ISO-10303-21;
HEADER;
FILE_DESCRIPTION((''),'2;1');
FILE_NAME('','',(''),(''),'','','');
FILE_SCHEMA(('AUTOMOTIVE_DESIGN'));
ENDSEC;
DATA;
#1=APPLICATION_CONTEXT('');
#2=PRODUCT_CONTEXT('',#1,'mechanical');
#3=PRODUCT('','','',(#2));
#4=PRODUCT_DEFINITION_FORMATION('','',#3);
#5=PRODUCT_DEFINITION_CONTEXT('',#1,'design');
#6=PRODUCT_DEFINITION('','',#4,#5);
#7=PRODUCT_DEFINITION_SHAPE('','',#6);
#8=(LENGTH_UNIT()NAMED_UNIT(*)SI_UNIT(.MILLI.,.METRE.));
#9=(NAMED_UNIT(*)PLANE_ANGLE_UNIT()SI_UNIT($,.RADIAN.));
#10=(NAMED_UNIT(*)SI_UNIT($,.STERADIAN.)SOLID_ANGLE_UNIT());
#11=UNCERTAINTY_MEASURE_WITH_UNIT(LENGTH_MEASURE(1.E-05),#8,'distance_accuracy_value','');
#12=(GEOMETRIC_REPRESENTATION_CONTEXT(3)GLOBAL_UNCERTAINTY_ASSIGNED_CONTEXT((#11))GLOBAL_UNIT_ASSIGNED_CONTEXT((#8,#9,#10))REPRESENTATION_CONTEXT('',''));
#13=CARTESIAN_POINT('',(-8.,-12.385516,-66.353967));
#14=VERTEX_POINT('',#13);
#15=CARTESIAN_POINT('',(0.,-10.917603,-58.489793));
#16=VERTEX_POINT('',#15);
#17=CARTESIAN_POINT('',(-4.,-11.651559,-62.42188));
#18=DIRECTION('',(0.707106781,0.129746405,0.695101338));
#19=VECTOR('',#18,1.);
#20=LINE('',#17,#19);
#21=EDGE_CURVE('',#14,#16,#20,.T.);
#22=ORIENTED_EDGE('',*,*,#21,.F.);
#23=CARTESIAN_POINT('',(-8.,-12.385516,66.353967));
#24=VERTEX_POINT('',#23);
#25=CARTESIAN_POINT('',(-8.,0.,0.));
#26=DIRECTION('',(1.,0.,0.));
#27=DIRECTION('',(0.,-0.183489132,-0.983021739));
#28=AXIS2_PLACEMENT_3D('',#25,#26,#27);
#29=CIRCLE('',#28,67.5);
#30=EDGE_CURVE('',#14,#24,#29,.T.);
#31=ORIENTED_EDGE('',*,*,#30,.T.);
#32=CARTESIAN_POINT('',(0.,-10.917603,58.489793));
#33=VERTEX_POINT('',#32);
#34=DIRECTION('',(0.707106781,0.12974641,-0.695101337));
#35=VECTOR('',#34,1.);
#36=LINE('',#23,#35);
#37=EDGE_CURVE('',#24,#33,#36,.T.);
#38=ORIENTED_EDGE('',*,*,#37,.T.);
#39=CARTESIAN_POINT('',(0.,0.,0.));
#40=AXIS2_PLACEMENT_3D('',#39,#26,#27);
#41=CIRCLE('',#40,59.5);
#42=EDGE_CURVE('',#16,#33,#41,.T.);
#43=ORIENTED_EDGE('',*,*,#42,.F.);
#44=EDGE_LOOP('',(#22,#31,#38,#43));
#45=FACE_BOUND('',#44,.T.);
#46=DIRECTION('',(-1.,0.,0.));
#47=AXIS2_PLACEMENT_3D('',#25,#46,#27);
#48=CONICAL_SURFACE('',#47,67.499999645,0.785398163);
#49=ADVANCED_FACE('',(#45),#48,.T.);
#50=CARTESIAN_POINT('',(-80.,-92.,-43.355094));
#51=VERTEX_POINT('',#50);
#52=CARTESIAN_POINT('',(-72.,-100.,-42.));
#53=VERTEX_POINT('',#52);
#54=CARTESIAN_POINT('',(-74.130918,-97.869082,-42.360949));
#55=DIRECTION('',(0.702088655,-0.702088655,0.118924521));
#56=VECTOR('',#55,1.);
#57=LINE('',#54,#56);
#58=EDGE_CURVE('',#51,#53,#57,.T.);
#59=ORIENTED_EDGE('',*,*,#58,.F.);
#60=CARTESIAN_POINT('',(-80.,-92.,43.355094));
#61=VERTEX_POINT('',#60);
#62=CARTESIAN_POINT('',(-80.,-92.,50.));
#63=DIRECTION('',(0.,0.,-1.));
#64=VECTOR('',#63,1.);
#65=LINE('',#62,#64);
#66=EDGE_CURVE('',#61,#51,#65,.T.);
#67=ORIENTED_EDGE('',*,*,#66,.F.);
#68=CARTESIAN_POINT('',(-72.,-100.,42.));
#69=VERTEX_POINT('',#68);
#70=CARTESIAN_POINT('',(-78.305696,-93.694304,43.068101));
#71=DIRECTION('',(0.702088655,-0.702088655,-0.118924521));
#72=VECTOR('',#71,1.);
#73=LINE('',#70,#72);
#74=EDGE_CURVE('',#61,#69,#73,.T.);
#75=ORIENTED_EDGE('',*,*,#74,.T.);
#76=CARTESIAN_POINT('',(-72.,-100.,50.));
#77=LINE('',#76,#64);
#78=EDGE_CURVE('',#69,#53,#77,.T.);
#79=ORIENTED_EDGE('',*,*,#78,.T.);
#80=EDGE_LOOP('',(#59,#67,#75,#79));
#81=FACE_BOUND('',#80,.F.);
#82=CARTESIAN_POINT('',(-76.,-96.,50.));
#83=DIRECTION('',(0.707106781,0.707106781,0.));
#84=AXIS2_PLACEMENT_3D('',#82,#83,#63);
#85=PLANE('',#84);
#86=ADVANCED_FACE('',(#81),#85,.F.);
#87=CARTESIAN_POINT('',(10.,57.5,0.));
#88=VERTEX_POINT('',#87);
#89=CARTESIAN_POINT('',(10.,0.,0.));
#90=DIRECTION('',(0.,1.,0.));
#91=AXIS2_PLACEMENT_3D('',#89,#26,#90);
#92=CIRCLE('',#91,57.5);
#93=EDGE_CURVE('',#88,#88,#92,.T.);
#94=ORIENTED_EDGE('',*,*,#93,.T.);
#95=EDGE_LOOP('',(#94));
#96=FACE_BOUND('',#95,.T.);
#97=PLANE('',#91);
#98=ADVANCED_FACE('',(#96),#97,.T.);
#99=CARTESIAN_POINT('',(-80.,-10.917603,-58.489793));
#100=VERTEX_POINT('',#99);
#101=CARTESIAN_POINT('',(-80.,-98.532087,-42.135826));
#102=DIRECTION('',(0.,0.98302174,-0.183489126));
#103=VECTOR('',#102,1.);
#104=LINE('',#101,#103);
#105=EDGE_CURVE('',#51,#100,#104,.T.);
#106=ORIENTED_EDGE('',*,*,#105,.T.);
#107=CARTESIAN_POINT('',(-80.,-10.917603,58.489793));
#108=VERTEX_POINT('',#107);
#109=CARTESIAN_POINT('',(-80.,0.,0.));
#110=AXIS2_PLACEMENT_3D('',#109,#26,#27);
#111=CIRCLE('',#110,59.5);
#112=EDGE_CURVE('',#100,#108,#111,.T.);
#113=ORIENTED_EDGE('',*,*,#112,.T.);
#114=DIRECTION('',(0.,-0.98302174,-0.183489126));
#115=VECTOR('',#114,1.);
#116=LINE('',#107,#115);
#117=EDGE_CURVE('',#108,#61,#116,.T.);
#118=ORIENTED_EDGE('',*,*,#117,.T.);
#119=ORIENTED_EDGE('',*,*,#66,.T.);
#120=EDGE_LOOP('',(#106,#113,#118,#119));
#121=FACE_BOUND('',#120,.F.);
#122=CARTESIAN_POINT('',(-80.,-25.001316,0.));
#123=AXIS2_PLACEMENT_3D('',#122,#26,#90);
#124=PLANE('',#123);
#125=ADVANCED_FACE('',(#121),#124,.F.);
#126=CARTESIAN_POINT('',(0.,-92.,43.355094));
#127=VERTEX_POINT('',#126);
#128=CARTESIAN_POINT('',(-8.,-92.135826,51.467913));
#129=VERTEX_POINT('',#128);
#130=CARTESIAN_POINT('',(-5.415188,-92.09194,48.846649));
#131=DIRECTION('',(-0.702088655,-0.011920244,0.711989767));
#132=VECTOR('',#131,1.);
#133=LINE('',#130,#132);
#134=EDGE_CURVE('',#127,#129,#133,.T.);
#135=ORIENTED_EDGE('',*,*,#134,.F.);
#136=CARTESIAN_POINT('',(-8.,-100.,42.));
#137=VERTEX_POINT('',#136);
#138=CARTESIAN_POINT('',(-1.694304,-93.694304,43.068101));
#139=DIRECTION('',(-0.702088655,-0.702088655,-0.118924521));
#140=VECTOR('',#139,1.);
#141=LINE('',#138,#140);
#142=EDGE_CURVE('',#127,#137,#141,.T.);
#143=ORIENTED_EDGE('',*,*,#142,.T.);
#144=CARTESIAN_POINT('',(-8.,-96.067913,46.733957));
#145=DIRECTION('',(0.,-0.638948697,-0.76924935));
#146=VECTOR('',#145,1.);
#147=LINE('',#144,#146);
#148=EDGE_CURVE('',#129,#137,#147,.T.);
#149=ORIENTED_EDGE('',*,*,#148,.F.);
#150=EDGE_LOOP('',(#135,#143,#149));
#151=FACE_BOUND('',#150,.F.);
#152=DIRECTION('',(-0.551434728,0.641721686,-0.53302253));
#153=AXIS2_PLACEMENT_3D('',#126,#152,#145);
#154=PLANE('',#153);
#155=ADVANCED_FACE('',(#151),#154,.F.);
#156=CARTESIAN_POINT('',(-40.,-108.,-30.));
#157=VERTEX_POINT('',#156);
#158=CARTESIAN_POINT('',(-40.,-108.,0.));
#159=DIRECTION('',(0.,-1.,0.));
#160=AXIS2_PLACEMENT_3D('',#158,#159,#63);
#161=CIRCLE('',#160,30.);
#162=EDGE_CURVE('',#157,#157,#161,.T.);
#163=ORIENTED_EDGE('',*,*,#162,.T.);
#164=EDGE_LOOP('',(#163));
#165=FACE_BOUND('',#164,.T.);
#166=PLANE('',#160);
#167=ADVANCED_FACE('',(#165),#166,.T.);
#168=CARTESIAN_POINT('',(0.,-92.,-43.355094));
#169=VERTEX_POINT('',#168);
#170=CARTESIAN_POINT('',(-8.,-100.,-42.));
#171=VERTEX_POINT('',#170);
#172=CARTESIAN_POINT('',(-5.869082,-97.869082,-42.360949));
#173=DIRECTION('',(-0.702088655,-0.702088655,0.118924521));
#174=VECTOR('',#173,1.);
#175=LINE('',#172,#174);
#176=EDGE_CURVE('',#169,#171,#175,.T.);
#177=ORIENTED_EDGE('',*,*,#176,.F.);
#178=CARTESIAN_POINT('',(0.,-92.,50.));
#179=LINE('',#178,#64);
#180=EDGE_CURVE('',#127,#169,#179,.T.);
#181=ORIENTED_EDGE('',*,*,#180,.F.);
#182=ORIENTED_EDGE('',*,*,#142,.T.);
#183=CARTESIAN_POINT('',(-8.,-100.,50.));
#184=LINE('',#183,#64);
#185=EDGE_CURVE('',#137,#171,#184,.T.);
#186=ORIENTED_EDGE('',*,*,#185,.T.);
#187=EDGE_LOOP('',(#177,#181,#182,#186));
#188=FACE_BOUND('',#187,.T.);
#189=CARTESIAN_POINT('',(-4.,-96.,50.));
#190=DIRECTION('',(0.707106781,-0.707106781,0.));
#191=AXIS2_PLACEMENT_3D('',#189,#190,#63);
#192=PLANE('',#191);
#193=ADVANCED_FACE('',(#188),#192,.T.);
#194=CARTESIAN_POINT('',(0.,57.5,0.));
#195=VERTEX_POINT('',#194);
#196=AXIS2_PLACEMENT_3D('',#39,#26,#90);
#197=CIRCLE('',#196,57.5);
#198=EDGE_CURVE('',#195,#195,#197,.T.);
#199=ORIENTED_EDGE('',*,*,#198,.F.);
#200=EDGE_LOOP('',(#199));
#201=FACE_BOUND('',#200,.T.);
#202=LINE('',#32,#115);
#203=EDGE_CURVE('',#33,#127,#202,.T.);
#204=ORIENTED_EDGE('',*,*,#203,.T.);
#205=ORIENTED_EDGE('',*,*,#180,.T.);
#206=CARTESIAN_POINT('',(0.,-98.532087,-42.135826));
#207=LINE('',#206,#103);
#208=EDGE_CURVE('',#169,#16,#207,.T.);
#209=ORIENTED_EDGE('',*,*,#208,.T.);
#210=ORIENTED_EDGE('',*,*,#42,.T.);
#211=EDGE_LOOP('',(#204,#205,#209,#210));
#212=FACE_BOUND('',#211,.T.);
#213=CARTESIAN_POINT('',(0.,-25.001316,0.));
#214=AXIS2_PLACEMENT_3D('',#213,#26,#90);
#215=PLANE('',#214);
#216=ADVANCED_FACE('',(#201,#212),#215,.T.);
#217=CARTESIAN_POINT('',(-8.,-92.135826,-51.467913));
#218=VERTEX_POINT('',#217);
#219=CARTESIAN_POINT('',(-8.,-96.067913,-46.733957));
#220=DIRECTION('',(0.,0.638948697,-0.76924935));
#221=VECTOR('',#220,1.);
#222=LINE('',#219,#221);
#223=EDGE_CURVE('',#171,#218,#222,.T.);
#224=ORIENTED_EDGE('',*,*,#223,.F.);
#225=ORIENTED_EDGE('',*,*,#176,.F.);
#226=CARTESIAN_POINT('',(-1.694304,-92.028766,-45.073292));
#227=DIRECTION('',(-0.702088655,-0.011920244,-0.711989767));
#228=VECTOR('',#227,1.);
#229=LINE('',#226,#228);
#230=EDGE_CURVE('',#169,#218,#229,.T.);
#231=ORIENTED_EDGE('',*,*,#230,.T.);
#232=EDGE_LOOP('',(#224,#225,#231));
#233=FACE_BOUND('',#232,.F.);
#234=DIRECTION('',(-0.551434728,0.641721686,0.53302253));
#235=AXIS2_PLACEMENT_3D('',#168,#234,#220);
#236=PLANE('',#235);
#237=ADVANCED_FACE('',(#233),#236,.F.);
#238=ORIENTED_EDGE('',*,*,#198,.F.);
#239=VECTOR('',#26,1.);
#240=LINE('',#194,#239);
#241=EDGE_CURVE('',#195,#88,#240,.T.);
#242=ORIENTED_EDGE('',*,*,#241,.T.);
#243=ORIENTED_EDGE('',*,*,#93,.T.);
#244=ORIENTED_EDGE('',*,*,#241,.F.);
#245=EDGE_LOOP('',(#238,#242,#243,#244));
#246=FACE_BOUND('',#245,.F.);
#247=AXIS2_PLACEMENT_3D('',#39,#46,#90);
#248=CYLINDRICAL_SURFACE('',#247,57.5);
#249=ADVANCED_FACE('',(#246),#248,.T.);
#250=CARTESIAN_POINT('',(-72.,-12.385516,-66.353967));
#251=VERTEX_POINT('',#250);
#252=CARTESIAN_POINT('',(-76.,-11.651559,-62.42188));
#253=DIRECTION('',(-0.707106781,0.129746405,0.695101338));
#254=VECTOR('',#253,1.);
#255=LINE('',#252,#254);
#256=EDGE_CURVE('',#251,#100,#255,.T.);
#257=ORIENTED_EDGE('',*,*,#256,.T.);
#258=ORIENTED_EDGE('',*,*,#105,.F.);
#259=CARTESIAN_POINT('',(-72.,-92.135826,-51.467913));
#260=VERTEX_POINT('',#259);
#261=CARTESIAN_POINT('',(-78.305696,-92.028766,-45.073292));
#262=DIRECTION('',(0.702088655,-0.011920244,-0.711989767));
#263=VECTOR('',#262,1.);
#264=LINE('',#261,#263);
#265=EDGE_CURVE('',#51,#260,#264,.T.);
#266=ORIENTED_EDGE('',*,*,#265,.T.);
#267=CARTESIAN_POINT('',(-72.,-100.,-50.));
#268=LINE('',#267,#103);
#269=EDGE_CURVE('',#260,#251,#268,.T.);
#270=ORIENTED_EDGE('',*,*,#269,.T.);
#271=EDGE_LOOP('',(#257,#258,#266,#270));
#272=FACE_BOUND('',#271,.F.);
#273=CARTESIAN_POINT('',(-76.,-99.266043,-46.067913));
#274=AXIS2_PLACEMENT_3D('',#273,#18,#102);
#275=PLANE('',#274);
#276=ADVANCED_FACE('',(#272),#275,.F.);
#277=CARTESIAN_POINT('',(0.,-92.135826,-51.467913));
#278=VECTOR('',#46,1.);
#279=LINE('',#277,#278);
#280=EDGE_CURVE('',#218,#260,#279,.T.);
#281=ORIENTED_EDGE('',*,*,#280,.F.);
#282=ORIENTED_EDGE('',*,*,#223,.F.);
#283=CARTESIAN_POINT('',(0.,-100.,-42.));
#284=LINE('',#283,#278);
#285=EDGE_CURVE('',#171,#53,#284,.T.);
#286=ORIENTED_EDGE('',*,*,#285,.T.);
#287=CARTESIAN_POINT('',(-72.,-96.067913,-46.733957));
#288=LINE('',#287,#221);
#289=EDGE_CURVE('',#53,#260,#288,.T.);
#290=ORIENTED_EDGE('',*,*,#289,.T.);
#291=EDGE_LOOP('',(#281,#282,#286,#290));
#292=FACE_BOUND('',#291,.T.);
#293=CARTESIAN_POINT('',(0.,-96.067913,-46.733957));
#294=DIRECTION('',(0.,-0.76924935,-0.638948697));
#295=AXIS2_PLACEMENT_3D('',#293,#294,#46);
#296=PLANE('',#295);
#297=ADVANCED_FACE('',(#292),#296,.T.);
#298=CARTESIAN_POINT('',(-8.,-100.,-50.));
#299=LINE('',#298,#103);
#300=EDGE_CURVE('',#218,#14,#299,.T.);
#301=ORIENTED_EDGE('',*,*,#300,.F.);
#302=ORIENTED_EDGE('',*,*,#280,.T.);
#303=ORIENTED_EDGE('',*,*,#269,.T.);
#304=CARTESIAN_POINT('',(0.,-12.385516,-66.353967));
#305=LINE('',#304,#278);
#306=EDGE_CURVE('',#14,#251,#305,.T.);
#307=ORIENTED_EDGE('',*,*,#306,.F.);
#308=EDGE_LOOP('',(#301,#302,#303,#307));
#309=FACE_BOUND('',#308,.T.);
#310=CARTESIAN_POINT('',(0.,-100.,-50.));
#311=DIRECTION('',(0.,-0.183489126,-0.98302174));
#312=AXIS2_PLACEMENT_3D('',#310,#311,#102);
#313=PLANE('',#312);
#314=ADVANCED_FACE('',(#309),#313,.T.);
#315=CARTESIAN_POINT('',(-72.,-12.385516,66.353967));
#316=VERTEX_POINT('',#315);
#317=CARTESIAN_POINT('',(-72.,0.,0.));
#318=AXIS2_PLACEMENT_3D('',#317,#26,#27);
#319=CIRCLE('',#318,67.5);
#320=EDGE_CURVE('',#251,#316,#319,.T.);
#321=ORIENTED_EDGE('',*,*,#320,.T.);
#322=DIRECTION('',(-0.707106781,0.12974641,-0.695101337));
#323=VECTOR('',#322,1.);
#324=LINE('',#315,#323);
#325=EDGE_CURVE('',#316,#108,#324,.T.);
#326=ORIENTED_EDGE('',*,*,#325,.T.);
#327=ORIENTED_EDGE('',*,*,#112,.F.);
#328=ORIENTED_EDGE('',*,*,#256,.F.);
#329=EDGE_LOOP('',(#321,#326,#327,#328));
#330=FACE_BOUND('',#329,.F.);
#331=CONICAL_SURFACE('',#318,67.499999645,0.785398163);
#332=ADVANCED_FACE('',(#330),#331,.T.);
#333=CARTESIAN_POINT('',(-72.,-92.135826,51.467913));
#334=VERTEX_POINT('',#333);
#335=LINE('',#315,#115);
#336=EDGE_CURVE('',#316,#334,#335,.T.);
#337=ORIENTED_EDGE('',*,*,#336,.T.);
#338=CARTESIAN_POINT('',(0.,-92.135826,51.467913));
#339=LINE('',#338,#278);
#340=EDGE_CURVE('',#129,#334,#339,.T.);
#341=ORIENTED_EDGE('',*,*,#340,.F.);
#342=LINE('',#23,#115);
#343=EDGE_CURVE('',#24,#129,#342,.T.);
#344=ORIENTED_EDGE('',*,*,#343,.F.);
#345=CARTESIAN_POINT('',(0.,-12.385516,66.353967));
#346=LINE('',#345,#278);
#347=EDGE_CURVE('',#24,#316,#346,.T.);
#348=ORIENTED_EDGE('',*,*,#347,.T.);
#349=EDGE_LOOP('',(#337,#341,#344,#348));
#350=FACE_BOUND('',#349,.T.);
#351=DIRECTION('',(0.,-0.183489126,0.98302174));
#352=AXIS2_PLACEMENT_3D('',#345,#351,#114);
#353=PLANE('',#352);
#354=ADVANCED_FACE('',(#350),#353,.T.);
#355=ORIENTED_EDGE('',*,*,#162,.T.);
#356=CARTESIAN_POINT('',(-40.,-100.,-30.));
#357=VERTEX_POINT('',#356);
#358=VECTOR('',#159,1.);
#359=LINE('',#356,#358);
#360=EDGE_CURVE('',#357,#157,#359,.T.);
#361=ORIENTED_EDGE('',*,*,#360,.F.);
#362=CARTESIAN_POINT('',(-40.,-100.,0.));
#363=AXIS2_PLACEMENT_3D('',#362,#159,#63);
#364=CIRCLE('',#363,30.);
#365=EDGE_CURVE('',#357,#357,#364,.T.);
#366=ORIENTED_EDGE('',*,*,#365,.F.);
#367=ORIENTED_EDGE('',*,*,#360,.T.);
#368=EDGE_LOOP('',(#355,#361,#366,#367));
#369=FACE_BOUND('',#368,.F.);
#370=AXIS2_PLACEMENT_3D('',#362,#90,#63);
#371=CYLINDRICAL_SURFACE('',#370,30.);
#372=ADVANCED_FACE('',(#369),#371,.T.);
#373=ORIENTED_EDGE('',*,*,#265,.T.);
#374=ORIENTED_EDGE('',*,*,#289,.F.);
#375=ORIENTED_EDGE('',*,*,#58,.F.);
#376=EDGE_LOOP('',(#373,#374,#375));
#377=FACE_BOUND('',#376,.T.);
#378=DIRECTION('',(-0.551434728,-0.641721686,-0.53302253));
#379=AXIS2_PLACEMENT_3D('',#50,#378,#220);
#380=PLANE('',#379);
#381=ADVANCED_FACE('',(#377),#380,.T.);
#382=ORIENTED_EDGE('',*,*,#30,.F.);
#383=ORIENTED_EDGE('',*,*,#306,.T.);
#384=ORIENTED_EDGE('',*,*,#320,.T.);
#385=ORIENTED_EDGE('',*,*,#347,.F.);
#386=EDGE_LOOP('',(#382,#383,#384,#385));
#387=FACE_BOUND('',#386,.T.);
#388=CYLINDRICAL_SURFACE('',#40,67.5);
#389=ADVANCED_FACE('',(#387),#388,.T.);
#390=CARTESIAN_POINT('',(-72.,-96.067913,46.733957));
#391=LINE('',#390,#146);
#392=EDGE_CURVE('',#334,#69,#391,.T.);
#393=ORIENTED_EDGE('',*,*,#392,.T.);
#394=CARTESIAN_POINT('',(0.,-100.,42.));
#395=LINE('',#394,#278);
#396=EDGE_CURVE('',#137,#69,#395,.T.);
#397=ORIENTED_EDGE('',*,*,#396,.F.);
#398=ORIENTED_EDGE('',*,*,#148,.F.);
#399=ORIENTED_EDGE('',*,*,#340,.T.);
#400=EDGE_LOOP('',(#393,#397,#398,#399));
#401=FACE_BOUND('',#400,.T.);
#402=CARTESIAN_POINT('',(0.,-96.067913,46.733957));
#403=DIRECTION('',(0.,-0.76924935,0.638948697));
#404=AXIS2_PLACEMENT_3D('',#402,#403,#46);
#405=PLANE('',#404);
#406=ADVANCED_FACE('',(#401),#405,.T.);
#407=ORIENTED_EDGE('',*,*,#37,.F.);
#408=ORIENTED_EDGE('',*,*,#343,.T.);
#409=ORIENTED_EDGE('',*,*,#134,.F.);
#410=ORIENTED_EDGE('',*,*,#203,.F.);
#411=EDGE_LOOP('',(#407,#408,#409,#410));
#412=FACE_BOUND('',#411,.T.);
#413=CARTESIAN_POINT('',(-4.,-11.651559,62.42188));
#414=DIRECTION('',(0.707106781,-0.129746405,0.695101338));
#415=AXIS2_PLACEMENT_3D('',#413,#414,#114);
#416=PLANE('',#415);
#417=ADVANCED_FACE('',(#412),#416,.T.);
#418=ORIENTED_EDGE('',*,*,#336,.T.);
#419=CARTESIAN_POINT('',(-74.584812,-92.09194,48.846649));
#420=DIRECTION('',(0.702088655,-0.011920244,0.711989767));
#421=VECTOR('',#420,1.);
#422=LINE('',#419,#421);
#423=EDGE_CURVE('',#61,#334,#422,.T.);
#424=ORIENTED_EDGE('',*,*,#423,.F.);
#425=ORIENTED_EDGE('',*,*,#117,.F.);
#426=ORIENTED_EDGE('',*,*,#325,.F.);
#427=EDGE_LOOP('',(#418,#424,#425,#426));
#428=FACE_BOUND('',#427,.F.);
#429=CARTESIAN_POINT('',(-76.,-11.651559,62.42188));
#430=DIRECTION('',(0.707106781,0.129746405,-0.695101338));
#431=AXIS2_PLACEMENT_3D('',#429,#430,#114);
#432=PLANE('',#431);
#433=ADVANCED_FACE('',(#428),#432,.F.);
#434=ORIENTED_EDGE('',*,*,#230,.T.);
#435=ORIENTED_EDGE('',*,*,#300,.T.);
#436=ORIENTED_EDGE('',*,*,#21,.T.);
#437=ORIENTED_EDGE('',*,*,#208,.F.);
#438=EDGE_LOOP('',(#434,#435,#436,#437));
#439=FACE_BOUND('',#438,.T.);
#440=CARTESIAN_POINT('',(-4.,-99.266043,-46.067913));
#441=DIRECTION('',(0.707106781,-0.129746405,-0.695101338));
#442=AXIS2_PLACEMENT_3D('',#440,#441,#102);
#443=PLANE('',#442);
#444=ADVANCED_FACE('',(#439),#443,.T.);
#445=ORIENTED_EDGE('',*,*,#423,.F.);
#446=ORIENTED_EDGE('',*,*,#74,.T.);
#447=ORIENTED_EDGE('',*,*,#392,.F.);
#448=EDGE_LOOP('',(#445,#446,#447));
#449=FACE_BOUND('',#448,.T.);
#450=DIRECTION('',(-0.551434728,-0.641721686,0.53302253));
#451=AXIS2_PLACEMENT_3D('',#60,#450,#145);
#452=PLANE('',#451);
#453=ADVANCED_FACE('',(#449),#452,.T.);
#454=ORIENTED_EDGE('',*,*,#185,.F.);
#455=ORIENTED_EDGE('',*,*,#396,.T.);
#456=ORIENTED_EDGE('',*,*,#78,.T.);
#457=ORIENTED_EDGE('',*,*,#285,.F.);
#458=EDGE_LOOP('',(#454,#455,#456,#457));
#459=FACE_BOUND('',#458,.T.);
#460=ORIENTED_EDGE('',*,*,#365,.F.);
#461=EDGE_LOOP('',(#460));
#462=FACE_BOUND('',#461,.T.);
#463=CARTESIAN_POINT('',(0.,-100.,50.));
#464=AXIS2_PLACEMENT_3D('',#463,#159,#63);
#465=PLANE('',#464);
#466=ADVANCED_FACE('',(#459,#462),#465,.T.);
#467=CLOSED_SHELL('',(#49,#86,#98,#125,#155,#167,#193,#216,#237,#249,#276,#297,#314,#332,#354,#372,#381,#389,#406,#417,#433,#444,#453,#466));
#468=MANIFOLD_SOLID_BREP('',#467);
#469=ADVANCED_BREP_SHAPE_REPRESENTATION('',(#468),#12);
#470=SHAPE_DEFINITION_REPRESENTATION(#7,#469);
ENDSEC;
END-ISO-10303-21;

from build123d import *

# Parameters (mm, degrees)
PAD_DEPTH    = 80
SKETCH001_R  = 57.5
PAD001_DEPTH = 10
SKETCH002_R  = 30
PAD002_DEPTH = 8
CHAMFER_SIZE = 8


with BuildPart() as part:
    # Sketch → Pad (new body)
    with BuildSketch(Plane.YZ):
        with BuildLine():
            Line((-12.385516, 66.353967), (-100, 50))
            Line((-100, 50), (-100, -50))
            Line((-100, -50), (-12.385516, -66.353967))
            ThreePointArc((-12.385516, -66.353967), (67.5, 0), (-12.385516, 66.353967))
        make_face()
    extrude(amount=-PAD_DEPTH)

    # Sketch001 (on Face5 of Pad) → Pad001 (join)
    with BuildSketch(Plane.YZ):
        Circle(SKETCH001_R)
    extrude(amount=PAD001_DEPTH)

    # Sketch002 (on Face3 of Pad001) → Pad002 (join)
    with BuildSketch(Plane(origin=(0, -100, 0), x_dir=(0, 0, -1), z_dir=(0, -1, 0))):
        with Locations((0, -40)):
            Circle(SKETCH002_R)
    extrude(amount=PAD002_DEPTH)

    # Chamfer
    chamfer_edges = [part.edges().sort_by_distance(p)[0] for p in [
        (-40, -12.385516, 66.353967),
        (-40, -100, 50),
        (0, -56.192758, 58.176984),
        (-80, -56.192758, 58.176984),
        (-40, -12.385516, -66.353967),
        (0, 67.5, 0),
        (-80, 67.5, 0),
        (-40, -100, -50),
        (0, -56.192758, -58.176984),
        (-80, -56.192758, -58.176984),
        (0, -100, 0),
        (-80, -100, 0),
    ]]
    chamfer(chamfer_edges, length=CHAMFER_SIZE)


solid = part.part
